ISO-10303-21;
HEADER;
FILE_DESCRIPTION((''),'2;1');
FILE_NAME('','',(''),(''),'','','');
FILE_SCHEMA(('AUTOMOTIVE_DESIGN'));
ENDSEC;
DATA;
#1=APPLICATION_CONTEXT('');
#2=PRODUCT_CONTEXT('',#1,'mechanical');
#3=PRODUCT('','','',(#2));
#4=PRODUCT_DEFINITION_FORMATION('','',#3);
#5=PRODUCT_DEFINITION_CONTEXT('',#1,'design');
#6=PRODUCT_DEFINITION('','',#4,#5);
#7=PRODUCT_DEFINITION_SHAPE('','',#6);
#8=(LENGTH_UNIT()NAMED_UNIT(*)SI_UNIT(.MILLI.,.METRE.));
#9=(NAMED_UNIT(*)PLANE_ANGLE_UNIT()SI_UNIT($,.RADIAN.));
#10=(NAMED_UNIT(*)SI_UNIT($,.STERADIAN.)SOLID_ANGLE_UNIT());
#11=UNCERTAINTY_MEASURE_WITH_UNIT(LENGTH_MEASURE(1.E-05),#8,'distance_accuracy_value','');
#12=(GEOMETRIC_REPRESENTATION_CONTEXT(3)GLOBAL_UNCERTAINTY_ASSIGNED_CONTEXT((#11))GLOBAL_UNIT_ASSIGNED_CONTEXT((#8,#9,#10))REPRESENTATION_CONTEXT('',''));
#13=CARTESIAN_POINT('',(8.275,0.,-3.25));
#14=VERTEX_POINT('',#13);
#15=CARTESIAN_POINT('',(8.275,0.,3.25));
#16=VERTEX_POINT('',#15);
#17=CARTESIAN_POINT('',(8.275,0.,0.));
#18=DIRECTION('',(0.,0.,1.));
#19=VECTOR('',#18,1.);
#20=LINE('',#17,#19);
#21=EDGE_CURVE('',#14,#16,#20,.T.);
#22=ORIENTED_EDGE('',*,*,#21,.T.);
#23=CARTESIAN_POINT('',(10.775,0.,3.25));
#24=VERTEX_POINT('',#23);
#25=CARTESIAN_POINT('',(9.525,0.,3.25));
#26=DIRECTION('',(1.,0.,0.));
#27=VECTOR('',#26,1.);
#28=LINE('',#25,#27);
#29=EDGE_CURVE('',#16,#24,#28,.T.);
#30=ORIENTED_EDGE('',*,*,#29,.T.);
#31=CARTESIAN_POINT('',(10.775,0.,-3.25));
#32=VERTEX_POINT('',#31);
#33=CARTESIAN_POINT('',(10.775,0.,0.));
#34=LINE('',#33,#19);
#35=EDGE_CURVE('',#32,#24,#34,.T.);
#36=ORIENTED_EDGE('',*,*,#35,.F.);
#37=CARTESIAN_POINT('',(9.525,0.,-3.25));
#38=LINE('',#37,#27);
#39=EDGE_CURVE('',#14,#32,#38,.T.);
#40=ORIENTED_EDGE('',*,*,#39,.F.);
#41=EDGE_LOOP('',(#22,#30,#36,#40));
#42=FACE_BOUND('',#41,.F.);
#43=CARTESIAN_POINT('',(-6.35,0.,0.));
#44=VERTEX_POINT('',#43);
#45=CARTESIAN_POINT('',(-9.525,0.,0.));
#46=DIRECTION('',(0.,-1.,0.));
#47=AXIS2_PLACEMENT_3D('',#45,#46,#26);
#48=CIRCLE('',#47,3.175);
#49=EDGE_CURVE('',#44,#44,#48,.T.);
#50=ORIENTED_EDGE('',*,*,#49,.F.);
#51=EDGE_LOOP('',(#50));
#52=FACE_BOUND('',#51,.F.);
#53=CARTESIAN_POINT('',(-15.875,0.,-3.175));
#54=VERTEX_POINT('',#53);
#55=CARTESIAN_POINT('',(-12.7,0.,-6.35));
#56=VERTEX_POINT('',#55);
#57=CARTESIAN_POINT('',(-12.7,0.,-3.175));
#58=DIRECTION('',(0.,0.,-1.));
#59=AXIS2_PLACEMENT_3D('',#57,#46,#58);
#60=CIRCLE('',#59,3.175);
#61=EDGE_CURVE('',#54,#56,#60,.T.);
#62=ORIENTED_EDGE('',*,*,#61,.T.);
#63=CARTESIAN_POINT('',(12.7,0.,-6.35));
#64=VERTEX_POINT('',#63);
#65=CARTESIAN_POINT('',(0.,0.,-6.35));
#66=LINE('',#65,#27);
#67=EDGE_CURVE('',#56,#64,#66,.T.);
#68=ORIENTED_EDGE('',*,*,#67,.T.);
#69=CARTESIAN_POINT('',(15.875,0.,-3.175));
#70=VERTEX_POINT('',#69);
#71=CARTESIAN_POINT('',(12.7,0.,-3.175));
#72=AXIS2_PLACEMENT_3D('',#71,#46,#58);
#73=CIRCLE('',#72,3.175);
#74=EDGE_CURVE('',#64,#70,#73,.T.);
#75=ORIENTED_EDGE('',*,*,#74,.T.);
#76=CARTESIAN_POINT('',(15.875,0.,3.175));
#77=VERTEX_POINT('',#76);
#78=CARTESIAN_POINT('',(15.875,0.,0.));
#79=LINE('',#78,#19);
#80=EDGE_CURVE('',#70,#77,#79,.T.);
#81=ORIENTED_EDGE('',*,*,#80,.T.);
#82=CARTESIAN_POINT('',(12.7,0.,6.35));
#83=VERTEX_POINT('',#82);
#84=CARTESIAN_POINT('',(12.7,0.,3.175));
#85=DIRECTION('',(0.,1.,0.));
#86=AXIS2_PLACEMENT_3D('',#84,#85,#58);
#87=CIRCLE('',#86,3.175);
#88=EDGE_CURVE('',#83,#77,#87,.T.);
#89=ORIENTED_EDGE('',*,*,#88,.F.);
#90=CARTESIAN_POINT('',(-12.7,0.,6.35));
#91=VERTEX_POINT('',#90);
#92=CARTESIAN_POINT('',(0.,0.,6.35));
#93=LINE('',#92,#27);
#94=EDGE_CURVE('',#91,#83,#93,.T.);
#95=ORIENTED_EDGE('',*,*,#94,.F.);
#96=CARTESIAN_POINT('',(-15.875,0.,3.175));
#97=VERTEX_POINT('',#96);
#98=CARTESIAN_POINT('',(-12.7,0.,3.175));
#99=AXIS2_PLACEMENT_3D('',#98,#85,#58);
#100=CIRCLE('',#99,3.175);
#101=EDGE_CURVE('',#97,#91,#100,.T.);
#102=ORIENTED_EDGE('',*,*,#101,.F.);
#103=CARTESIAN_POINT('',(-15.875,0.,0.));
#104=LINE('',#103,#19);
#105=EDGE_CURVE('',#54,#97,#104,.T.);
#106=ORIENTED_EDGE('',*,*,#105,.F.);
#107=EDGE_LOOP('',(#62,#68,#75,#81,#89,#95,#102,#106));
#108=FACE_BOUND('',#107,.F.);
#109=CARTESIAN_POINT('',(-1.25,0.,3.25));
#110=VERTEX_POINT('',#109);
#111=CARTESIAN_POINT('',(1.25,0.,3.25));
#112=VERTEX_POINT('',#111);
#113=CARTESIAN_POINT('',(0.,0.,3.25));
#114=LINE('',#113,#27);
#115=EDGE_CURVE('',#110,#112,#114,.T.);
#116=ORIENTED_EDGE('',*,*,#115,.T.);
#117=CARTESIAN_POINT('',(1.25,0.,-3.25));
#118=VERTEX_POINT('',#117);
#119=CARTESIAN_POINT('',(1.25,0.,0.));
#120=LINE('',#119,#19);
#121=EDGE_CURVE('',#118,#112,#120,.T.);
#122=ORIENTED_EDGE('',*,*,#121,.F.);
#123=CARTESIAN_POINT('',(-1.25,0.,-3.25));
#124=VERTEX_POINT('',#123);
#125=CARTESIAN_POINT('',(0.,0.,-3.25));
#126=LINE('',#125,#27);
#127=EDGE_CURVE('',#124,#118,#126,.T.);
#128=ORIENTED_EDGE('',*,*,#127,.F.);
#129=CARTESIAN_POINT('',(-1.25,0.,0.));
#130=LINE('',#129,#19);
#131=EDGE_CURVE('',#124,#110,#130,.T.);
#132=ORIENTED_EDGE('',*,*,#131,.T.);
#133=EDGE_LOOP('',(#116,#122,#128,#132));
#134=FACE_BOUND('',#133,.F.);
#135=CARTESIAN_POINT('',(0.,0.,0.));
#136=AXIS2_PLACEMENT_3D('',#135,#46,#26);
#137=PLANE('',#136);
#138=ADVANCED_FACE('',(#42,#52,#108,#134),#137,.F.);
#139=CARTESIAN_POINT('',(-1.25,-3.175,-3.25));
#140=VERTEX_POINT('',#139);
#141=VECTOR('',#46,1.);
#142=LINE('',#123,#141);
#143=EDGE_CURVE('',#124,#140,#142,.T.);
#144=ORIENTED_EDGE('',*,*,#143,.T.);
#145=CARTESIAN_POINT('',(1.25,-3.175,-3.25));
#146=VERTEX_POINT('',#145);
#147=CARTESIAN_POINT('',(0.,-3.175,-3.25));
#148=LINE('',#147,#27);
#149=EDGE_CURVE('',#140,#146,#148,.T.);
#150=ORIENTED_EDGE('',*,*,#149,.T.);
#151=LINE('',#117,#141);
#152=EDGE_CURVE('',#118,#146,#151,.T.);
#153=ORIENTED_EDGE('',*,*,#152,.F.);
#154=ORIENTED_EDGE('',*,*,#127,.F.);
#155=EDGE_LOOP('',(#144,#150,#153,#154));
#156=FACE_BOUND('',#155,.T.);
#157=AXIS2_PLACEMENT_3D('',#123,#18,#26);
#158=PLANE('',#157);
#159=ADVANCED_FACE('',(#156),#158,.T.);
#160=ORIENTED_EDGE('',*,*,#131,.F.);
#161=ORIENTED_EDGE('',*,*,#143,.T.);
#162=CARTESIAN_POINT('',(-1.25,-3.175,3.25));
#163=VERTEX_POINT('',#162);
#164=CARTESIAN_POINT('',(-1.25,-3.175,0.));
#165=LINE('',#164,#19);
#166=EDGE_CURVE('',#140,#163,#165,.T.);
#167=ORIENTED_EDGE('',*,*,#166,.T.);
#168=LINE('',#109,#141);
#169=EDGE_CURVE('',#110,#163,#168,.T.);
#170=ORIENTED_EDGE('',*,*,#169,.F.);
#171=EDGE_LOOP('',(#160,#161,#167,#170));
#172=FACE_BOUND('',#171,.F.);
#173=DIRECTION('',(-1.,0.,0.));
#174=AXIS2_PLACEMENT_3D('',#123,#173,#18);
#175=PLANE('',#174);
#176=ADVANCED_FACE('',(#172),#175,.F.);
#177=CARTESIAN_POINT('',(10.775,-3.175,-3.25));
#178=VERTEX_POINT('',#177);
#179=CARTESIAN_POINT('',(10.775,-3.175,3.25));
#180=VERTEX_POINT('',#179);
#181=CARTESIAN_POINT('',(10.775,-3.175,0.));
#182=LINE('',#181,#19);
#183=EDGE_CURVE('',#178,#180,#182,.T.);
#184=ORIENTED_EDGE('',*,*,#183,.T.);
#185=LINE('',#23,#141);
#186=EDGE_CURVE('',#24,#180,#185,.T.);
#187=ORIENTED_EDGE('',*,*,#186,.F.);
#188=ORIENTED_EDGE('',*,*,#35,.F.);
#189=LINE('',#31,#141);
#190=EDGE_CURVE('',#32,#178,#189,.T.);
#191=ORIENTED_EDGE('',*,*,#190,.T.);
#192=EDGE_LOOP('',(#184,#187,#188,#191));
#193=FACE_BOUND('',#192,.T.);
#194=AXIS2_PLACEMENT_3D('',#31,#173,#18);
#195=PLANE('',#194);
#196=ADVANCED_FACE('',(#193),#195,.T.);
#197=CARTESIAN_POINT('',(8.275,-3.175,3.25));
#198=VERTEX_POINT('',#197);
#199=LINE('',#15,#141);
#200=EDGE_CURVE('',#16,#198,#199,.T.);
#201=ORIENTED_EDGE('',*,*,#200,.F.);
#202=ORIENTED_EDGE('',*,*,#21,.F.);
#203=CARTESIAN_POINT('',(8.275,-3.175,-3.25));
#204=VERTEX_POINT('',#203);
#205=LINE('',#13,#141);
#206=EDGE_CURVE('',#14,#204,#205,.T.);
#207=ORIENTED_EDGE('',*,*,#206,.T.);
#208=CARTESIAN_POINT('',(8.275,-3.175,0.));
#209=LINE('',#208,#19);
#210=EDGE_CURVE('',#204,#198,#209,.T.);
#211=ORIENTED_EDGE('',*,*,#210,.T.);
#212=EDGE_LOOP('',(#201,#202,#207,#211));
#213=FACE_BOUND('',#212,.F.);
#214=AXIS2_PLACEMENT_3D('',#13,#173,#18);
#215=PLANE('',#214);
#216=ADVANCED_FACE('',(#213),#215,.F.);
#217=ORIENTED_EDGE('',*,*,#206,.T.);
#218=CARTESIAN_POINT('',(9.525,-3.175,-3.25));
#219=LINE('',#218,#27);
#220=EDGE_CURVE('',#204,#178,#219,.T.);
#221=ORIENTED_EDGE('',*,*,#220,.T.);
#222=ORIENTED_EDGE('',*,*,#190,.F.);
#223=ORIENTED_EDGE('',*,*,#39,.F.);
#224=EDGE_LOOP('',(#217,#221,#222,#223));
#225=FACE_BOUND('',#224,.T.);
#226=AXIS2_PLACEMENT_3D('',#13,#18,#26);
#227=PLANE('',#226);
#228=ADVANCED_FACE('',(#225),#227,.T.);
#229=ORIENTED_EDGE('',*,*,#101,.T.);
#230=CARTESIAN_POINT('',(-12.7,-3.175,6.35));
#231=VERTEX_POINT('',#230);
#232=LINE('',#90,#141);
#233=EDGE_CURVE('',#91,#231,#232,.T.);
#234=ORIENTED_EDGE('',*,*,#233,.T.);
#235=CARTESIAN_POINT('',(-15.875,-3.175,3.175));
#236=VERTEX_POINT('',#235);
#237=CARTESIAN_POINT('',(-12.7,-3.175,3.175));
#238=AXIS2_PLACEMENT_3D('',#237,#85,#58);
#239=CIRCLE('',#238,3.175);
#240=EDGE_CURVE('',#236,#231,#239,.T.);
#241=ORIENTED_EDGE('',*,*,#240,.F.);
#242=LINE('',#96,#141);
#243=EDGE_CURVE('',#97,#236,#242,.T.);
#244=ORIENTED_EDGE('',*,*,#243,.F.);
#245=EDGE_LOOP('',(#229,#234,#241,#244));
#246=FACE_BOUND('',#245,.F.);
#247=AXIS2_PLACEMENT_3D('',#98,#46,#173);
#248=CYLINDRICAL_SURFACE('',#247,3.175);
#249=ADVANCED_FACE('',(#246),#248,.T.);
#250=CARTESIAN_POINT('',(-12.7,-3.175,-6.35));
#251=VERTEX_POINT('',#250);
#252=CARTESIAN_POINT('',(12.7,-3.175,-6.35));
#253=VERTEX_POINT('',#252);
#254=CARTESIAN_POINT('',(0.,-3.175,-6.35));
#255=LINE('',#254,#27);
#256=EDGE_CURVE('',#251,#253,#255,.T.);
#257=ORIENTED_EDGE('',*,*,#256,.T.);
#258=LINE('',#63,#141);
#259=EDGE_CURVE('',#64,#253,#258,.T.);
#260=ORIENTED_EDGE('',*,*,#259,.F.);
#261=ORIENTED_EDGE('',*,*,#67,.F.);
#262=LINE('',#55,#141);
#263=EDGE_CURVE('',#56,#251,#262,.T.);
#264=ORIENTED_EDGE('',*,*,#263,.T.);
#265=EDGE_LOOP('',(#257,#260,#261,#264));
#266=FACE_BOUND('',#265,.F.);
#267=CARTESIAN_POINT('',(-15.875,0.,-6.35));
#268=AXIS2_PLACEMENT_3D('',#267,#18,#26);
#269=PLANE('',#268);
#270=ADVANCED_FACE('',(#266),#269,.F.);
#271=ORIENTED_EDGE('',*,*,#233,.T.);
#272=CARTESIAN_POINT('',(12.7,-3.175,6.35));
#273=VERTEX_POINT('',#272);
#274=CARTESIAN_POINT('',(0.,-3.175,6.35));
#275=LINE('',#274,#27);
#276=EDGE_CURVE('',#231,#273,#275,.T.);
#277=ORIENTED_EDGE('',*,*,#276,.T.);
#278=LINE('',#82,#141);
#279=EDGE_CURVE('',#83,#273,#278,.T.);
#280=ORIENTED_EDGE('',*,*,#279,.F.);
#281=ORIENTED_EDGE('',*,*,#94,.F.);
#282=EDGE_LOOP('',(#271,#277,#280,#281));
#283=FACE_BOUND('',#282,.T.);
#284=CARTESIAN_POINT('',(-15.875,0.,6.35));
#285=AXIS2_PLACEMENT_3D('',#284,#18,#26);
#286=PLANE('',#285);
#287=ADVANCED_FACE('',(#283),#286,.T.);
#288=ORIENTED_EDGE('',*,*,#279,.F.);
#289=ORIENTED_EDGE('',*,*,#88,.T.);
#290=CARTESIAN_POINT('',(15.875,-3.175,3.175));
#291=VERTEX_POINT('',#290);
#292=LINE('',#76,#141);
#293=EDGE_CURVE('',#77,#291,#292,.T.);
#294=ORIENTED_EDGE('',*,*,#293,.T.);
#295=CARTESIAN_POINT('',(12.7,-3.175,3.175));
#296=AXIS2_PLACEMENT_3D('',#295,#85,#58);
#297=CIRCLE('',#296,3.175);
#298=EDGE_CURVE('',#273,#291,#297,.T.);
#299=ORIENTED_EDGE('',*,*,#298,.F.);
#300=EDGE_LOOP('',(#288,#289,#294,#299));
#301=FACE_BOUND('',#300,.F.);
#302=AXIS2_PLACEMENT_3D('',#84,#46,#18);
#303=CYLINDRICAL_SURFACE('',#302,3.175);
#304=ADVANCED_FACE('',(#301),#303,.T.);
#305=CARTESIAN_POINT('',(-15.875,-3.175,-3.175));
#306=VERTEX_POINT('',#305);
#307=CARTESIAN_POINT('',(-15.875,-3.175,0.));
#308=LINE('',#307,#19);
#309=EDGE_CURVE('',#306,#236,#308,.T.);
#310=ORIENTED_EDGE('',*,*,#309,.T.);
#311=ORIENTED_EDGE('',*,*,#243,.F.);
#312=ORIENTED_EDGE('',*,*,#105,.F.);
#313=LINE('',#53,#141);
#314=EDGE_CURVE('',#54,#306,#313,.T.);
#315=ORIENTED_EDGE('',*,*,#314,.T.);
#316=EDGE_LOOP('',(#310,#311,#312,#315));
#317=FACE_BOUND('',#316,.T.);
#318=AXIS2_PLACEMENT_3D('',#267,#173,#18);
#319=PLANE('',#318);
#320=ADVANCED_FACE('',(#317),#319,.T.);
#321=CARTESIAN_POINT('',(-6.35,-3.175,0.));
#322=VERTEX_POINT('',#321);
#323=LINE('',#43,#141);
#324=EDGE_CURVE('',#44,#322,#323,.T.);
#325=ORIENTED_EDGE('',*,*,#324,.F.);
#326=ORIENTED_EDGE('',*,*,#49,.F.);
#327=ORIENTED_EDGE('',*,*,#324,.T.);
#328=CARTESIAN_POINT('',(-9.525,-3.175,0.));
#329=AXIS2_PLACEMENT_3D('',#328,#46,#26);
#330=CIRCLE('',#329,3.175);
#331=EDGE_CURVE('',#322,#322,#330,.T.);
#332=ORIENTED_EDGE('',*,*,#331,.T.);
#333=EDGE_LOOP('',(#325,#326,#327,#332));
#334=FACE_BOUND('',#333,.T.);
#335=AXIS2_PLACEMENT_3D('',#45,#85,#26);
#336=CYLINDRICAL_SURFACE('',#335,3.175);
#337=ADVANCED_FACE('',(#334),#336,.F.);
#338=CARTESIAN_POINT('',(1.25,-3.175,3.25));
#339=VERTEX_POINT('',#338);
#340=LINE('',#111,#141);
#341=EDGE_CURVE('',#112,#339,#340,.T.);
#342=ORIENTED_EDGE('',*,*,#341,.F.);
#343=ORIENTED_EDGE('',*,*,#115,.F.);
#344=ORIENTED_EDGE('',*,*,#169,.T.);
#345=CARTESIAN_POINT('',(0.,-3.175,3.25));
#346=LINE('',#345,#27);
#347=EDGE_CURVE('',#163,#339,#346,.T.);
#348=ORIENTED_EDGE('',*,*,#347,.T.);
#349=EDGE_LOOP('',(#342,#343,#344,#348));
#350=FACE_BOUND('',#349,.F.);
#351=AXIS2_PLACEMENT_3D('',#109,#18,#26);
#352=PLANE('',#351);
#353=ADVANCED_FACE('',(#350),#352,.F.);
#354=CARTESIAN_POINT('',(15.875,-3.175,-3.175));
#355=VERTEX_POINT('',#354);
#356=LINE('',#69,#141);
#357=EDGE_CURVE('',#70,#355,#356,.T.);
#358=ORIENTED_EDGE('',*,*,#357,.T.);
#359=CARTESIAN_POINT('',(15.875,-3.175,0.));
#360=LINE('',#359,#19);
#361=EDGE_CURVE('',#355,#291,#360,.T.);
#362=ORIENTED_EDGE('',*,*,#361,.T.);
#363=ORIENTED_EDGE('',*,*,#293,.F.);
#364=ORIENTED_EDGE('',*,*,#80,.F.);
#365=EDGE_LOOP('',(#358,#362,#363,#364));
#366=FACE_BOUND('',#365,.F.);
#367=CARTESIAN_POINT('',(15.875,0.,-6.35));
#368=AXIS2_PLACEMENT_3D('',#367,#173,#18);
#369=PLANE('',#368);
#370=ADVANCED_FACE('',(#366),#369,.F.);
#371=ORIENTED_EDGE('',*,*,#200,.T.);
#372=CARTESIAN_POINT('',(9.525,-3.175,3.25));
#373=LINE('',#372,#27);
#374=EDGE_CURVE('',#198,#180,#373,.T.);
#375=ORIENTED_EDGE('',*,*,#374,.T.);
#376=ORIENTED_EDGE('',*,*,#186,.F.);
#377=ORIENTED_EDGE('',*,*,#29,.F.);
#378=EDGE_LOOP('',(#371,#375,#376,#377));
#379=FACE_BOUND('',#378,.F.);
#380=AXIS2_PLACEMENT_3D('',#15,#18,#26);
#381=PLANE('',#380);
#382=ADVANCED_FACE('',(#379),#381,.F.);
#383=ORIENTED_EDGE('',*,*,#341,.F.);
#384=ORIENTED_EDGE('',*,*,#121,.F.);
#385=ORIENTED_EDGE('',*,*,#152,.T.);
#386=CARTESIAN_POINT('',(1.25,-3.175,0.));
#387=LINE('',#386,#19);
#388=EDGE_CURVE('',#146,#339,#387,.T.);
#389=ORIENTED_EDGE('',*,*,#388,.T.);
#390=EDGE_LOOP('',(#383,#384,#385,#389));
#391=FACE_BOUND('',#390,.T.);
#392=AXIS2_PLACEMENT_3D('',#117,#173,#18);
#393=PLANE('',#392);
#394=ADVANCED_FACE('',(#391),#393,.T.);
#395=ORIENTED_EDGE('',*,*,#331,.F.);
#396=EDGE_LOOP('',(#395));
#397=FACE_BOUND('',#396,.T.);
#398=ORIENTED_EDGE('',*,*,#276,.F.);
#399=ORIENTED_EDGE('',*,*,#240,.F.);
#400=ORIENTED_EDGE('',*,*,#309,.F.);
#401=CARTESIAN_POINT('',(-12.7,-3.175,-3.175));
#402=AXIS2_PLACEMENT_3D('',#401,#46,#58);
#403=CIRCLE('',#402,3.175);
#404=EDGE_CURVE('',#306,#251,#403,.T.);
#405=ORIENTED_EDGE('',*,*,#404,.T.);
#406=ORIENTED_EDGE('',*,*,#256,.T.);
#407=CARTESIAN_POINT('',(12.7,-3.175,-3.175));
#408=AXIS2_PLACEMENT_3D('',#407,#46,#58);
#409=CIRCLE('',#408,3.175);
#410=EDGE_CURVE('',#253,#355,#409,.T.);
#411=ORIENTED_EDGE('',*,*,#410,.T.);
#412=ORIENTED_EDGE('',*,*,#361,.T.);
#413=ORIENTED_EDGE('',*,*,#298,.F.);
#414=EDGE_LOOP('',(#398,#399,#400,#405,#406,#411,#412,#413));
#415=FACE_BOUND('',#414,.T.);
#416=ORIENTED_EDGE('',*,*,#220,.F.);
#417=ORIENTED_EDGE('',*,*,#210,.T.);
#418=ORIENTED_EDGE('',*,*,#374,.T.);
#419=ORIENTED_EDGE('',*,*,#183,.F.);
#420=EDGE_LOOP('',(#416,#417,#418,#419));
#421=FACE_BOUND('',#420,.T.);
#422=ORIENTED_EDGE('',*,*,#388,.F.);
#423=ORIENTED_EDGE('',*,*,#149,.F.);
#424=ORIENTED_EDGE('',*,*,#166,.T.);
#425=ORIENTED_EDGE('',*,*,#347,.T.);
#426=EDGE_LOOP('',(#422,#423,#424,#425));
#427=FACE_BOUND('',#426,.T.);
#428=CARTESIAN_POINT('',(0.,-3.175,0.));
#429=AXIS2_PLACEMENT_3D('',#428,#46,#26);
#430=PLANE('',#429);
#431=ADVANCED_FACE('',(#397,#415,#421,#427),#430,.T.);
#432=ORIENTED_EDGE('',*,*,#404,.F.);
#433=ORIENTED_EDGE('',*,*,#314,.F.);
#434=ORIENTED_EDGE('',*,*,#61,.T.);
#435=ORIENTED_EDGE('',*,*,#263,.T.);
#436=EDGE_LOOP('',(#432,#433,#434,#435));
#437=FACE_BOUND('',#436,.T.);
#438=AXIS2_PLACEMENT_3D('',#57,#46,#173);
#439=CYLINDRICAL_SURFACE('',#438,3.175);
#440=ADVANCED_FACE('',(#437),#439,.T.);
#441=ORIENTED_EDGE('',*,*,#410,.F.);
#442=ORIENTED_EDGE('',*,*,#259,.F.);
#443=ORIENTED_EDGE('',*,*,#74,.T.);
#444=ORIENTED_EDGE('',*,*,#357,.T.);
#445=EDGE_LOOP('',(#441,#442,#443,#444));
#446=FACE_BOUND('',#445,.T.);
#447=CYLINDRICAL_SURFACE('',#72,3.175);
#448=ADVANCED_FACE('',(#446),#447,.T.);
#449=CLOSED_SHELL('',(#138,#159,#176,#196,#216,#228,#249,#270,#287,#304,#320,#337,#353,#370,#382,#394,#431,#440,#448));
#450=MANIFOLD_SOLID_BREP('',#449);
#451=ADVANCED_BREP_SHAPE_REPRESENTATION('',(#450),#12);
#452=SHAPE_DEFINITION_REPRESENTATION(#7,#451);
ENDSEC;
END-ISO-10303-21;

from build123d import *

# Parameters (mm, degrees)
F0_W     = 31.75
F0_H     = 12.7
F0_R     = 3.175
F0_W_2   = 2.5
F0_H_2   = 6.5
F1_DEPTH = 3.175
F2_R     = 3.175


with BuildPart() as f1:
    # F0 (on Front) → F1 (new body)
    with BuildSketch(Plane.XZ):
        Rectangle(F0_W, F0_H)
        with Locations((-9.525, 0)):
            Circle(F0_R, mode=Mode.SUBTRACT)
        Rectangle(F0_W_2, F0_H_2, mode=Mode.SUBTRACT)
        with Locations((9.525, 0)):
            Rectangle(F0_W_2, F0_H_2, mode=Mode.SUBTRACT)
    extrude(amount=F1_DEPTH)

    # F2
    f2_edges = [f1.edges().sort_by_distance(p)[0] for p in [
        (15.875, -1.5875, -6.35),
        (15.875, -1.5875, 6.35),
        (-15.875, -1.5875, -6.35),
        (-15.875, -1.5875, 6.35),
    ]]
    fillet(f2_edges, radius=F2_R)


solid = f1.part
